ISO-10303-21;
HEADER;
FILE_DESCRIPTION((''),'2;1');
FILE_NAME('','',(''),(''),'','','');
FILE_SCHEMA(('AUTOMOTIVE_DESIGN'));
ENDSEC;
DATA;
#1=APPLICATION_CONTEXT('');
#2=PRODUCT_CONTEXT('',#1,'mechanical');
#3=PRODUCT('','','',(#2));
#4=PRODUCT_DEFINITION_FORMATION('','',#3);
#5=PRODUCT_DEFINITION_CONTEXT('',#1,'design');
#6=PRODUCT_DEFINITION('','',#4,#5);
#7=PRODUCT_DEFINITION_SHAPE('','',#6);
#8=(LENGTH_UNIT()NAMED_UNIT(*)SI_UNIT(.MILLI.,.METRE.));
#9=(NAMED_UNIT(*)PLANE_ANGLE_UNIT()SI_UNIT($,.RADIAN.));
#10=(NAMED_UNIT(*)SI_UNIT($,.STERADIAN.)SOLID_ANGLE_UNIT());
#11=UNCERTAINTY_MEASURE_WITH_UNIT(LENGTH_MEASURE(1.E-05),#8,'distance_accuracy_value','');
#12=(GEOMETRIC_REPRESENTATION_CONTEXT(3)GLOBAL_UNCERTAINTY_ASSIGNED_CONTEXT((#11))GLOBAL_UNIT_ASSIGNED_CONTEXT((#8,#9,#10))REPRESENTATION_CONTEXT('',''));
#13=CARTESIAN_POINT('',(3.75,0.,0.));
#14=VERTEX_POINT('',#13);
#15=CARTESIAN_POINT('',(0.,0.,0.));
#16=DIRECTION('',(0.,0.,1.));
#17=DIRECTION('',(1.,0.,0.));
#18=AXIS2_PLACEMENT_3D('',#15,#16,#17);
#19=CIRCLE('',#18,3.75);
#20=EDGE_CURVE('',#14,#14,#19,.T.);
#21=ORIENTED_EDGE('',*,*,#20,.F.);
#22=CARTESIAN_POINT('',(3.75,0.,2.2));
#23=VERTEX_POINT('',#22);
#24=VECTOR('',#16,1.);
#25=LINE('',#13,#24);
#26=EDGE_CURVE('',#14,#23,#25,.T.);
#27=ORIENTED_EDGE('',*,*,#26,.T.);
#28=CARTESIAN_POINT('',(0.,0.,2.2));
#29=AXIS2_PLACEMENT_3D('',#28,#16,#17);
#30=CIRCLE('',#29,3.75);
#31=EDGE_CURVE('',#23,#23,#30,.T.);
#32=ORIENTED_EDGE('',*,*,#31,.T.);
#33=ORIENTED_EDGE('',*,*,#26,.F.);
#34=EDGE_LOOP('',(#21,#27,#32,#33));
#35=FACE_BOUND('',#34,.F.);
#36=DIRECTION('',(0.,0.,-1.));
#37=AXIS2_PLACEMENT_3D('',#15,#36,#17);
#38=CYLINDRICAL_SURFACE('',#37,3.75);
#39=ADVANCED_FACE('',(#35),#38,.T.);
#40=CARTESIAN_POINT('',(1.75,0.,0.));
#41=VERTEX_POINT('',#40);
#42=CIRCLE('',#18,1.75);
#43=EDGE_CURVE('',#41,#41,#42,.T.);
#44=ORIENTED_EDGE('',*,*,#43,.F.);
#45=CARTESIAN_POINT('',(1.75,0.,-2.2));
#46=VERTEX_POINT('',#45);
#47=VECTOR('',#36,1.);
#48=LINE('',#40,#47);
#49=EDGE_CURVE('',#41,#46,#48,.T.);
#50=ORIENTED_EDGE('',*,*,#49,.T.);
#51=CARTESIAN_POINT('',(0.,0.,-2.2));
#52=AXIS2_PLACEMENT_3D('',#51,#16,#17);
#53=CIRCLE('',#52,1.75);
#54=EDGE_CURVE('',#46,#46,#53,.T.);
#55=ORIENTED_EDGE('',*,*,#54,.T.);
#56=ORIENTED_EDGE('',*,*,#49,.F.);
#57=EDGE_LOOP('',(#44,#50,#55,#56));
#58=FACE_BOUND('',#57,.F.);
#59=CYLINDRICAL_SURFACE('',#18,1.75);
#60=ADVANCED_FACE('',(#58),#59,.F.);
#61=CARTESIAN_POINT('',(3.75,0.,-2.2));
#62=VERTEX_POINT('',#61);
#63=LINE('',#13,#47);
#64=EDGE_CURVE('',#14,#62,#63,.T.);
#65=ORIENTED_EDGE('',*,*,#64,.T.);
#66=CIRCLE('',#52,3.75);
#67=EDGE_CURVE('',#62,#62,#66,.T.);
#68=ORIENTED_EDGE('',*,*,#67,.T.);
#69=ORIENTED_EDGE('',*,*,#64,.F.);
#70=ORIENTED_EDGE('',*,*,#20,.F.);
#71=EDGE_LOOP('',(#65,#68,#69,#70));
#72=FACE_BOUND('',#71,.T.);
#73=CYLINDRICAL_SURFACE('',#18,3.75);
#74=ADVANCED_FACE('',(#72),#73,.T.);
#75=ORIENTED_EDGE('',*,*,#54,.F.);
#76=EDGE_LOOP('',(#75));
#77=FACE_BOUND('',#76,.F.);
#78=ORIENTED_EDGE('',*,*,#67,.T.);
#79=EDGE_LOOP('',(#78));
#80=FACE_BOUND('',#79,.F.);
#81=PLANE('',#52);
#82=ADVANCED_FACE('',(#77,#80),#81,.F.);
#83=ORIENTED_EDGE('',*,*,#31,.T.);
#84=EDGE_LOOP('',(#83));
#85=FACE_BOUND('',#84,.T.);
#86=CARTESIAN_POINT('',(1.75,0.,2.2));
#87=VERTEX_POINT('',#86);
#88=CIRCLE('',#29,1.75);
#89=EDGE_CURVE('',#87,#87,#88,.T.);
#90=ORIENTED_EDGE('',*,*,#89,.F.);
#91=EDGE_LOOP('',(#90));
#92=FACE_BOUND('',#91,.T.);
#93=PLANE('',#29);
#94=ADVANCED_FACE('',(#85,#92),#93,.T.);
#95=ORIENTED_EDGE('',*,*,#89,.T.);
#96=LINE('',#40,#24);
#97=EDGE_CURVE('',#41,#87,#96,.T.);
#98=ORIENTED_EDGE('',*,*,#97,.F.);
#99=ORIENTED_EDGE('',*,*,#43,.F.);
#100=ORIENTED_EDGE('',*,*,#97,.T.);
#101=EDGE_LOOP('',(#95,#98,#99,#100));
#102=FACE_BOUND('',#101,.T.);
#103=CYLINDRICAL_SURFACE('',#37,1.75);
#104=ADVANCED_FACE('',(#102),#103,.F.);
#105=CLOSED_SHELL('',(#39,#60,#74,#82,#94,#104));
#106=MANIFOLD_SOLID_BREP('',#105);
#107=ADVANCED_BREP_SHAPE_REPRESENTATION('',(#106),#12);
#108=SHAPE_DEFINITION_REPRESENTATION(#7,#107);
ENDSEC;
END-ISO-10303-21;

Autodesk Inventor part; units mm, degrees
ref_plane "YZ Plane" through (0, 0, 0) normal (1, 0, 0) x (0, 1, 0)
ref_plane "XZ Plane" through (0, 0, 0) normal (0, 1, 0) x (-1, 0, 0)
ref_plane "XY Plane" through (0, 0, 0) normal (0, 0, 1) x (1, 0, 0)
sketch "スケッチ1" plane through (0, 0, 0) normal (0, 0, 1) x (1, 0, 0)
  circle A0 centre (0, 0) radius 1.75
  circle A1 centre (0, 0) radius 3.75
  dimension "d0" = 3.5
  dimension "d1" = 7.5
extrude "押し出し1" add sketch "スケッチ1" along normal mid plane 4.4
properties part number "スペーサ4.4mm_内径3.3mm"
